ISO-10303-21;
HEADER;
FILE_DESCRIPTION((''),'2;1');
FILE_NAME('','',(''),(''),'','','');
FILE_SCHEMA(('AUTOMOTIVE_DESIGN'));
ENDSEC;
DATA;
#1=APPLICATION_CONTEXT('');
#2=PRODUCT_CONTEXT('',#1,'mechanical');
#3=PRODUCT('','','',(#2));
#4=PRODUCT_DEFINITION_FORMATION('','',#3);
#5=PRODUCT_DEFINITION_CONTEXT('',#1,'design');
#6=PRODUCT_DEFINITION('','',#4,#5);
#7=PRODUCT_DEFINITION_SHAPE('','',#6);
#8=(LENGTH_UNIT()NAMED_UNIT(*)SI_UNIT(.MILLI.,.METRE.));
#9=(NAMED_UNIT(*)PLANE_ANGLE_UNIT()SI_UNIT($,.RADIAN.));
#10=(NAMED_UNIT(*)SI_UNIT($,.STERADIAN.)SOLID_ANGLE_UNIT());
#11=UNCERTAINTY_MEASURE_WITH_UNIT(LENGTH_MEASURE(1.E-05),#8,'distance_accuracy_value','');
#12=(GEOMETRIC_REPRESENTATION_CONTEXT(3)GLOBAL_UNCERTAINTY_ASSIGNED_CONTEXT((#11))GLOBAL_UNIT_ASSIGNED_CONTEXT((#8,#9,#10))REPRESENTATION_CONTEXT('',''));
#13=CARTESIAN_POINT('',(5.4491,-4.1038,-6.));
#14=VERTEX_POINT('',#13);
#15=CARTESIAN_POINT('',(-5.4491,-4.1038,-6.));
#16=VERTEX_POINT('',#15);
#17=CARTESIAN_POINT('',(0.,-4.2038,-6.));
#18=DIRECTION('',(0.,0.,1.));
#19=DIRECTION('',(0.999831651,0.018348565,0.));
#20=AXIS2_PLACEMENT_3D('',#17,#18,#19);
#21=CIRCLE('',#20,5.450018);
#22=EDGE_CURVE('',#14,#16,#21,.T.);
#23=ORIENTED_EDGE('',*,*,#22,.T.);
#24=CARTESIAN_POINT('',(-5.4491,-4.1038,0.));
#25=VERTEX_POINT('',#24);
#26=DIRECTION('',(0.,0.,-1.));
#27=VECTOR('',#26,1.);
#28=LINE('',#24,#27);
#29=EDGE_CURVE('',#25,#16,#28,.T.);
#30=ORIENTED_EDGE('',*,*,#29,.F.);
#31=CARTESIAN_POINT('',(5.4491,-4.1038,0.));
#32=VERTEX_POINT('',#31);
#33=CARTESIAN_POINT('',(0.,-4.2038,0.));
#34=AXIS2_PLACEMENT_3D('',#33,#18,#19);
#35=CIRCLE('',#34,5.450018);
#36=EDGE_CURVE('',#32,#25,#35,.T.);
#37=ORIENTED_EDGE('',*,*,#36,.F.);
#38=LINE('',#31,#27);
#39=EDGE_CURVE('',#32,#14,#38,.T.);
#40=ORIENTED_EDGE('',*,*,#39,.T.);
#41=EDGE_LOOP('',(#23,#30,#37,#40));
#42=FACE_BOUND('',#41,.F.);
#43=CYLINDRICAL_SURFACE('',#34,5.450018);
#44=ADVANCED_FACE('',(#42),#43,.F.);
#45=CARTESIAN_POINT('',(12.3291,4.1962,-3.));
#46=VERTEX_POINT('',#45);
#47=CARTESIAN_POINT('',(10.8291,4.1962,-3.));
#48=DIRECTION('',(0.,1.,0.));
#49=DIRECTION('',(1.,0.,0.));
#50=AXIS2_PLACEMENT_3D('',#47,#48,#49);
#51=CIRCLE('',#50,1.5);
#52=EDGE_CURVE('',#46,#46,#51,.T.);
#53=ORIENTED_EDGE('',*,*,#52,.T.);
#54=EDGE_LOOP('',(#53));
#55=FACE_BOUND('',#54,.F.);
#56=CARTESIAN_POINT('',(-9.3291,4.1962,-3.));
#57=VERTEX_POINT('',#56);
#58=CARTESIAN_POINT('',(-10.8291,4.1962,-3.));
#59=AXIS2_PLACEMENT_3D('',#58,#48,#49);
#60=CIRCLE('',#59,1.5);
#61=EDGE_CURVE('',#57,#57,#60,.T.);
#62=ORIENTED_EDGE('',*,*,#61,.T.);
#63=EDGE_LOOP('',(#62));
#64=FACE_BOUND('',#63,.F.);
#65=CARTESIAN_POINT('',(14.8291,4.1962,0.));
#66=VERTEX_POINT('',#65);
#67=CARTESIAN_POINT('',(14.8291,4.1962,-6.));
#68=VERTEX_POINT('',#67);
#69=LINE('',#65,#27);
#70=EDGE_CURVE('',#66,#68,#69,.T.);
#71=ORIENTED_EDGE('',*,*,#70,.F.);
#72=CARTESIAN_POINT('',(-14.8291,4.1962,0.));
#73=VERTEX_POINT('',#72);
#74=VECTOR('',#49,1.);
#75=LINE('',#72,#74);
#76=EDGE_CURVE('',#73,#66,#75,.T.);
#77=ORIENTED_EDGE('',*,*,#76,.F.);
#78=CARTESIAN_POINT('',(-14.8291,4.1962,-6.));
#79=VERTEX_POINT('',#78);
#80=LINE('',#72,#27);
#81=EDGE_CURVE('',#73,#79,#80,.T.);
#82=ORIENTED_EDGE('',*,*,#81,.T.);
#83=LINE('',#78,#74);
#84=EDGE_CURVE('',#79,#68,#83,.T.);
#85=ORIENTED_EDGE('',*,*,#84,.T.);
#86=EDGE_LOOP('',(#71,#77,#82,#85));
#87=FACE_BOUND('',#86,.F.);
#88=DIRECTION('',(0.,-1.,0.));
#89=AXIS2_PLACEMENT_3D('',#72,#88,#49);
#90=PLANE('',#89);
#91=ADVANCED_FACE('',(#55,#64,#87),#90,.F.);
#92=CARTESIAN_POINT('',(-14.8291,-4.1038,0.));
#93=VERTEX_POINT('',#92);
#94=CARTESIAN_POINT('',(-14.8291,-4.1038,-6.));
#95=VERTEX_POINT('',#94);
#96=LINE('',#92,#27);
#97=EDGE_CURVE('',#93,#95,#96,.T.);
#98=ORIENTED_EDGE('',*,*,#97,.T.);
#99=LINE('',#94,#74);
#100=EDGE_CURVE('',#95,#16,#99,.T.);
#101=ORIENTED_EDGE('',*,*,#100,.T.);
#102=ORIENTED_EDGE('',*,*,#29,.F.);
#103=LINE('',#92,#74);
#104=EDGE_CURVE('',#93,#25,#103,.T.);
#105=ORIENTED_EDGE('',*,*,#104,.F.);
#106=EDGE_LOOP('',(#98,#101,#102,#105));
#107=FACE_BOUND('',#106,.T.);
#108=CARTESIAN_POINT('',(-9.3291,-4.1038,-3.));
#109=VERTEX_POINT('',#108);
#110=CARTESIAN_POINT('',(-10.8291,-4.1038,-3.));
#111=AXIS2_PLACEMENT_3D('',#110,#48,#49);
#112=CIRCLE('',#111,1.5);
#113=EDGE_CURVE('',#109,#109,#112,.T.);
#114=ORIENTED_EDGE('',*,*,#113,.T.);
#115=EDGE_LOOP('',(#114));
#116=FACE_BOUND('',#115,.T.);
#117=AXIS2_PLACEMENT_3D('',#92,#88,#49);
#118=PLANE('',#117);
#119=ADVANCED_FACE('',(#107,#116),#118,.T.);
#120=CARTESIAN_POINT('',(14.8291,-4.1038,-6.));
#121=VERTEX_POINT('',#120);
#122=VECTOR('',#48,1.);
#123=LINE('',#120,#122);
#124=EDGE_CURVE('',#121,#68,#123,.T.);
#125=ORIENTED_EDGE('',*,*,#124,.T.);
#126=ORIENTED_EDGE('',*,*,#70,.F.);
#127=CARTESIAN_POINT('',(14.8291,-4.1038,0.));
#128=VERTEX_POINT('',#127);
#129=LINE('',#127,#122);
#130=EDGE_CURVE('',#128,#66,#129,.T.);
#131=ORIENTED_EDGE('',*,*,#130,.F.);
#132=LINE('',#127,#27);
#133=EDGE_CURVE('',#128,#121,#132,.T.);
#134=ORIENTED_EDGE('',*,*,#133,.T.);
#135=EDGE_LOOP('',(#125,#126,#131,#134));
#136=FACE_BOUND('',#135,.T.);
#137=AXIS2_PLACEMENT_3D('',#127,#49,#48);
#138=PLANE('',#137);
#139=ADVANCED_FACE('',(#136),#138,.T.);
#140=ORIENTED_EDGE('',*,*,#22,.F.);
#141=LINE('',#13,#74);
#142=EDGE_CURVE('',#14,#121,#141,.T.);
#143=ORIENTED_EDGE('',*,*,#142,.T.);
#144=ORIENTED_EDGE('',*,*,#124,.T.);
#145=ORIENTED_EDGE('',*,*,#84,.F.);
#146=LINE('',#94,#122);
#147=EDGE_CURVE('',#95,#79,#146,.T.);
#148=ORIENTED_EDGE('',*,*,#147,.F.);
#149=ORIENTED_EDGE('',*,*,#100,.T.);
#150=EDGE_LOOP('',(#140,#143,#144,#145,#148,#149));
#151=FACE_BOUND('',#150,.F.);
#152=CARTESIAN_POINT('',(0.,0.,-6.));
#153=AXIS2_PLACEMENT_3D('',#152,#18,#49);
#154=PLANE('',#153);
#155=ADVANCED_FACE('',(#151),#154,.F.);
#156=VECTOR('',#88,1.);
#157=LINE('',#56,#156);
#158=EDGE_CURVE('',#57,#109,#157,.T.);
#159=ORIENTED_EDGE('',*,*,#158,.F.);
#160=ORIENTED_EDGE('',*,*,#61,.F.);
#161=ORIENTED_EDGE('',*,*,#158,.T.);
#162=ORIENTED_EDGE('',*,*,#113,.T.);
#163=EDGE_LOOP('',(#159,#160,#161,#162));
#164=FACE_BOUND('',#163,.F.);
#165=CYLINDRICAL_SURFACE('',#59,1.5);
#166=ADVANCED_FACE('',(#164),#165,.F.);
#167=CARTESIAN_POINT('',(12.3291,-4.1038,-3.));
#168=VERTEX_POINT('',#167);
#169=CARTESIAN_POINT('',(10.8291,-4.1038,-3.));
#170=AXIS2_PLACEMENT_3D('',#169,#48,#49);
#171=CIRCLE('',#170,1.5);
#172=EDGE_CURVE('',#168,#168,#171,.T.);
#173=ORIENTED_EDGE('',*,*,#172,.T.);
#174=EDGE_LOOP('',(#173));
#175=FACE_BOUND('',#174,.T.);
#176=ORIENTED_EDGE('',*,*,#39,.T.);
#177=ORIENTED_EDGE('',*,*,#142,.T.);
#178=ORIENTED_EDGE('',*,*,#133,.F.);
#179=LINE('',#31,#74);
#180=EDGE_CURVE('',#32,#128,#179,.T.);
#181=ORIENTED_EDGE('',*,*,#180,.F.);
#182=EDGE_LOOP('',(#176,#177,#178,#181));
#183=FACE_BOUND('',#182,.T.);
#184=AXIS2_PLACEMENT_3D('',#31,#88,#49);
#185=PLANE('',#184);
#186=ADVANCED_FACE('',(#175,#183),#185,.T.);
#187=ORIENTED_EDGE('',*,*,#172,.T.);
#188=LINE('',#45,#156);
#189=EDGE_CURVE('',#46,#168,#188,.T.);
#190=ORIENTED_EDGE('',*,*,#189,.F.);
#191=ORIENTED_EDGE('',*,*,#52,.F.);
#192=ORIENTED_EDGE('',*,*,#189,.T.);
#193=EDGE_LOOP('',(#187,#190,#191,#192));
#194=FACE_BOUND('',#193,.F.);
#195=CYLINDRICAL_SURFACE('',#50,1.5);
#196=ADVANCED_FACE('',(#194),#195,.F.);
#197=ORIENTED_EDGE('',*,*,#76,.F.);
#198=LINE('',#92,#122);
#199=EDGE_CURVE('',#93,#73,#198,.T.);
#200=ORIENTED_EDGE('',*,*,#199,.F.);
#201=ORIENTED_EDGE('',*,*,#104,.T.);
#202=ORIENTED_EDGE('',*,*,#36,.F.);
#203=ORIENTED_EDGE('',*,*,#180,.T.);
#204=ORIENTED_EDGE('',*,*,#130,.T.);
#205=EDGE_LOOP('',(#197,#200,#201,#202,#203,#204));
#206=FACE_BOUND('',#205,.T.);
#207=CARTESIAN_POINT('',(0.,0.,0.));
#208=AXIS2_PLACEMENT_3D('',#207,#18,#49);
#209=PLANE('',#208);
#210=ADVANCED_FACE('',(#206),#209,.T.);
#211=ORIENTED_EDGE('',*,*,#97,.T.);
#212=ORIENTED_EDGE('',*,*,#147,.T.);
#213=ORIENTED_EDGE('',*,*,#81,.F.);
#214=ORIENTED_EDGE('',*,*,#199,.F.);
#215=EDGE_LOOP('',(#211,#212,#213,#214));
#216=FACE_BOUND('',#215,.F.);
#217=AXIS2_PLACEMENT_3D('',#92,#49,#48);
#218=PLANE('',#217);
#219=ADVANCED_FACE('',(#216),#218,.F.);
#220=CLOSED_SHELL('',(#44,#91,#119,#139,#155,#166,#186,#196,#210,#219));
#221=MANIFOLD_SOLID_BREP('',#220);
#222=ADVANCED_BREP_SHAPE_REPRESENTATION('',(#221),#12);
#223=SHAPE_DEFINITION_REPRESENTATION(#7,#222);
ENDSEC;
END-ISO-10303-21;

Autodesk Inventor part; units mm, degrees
ref_plane "YZ Plane" through (0, 0, 0) normal (1, 0, 0) x (0, 1, 0)
ref_plane "XZ Plane" through (0, 0, 0) normal (0, 1, 0) x (-1, 0, 0)
sketch "Sketch1" plane through (0, 0, 0) normal (0, 0, 1) x (1, 0, 0)
  line L0 (-14.8291, -4.1038) -> (-14.8291, 4.1962)
  line L1 (-14.8291, -4.1038) -> (-5.4491, -4.1038)
  arc A0 (5.4491, -4.1038) -> (-5.4491, -4.1038) centre (0, -4.2038) ccw
  line L2 (5.4491, -4.1038) -> (14.8291, -4.1038)
  line L3 (14.8291, -4.1038) -> (14.8291, 4.1962)
  line L4 (-14.8291, 4.1962) -> (14.8291, 4.1962)
ref_plane "Work Plane1" through (-18.034, -15.556, -6) normal (0, 0, -1) x (0, 1, 0)
extrude "Extrusion1" add sketch "Sketch1" against normal up to surface (6 mm away)
sketch "Sketch2" plane through (-14.8291, 4.1962, 0) normal (0, 1, 0) x (1, 0, 0)
  circle A0 centre (4, 3) radius 1.5 projected
  circle A1 centre (25.6582, 3) radius 1.5 projected
  point P0 (14.8291, 0)
extrude "Extrusion2" cut sketch "Sketch2" against normal through all
properties part number "pylon_actuator_holder_jaw"
